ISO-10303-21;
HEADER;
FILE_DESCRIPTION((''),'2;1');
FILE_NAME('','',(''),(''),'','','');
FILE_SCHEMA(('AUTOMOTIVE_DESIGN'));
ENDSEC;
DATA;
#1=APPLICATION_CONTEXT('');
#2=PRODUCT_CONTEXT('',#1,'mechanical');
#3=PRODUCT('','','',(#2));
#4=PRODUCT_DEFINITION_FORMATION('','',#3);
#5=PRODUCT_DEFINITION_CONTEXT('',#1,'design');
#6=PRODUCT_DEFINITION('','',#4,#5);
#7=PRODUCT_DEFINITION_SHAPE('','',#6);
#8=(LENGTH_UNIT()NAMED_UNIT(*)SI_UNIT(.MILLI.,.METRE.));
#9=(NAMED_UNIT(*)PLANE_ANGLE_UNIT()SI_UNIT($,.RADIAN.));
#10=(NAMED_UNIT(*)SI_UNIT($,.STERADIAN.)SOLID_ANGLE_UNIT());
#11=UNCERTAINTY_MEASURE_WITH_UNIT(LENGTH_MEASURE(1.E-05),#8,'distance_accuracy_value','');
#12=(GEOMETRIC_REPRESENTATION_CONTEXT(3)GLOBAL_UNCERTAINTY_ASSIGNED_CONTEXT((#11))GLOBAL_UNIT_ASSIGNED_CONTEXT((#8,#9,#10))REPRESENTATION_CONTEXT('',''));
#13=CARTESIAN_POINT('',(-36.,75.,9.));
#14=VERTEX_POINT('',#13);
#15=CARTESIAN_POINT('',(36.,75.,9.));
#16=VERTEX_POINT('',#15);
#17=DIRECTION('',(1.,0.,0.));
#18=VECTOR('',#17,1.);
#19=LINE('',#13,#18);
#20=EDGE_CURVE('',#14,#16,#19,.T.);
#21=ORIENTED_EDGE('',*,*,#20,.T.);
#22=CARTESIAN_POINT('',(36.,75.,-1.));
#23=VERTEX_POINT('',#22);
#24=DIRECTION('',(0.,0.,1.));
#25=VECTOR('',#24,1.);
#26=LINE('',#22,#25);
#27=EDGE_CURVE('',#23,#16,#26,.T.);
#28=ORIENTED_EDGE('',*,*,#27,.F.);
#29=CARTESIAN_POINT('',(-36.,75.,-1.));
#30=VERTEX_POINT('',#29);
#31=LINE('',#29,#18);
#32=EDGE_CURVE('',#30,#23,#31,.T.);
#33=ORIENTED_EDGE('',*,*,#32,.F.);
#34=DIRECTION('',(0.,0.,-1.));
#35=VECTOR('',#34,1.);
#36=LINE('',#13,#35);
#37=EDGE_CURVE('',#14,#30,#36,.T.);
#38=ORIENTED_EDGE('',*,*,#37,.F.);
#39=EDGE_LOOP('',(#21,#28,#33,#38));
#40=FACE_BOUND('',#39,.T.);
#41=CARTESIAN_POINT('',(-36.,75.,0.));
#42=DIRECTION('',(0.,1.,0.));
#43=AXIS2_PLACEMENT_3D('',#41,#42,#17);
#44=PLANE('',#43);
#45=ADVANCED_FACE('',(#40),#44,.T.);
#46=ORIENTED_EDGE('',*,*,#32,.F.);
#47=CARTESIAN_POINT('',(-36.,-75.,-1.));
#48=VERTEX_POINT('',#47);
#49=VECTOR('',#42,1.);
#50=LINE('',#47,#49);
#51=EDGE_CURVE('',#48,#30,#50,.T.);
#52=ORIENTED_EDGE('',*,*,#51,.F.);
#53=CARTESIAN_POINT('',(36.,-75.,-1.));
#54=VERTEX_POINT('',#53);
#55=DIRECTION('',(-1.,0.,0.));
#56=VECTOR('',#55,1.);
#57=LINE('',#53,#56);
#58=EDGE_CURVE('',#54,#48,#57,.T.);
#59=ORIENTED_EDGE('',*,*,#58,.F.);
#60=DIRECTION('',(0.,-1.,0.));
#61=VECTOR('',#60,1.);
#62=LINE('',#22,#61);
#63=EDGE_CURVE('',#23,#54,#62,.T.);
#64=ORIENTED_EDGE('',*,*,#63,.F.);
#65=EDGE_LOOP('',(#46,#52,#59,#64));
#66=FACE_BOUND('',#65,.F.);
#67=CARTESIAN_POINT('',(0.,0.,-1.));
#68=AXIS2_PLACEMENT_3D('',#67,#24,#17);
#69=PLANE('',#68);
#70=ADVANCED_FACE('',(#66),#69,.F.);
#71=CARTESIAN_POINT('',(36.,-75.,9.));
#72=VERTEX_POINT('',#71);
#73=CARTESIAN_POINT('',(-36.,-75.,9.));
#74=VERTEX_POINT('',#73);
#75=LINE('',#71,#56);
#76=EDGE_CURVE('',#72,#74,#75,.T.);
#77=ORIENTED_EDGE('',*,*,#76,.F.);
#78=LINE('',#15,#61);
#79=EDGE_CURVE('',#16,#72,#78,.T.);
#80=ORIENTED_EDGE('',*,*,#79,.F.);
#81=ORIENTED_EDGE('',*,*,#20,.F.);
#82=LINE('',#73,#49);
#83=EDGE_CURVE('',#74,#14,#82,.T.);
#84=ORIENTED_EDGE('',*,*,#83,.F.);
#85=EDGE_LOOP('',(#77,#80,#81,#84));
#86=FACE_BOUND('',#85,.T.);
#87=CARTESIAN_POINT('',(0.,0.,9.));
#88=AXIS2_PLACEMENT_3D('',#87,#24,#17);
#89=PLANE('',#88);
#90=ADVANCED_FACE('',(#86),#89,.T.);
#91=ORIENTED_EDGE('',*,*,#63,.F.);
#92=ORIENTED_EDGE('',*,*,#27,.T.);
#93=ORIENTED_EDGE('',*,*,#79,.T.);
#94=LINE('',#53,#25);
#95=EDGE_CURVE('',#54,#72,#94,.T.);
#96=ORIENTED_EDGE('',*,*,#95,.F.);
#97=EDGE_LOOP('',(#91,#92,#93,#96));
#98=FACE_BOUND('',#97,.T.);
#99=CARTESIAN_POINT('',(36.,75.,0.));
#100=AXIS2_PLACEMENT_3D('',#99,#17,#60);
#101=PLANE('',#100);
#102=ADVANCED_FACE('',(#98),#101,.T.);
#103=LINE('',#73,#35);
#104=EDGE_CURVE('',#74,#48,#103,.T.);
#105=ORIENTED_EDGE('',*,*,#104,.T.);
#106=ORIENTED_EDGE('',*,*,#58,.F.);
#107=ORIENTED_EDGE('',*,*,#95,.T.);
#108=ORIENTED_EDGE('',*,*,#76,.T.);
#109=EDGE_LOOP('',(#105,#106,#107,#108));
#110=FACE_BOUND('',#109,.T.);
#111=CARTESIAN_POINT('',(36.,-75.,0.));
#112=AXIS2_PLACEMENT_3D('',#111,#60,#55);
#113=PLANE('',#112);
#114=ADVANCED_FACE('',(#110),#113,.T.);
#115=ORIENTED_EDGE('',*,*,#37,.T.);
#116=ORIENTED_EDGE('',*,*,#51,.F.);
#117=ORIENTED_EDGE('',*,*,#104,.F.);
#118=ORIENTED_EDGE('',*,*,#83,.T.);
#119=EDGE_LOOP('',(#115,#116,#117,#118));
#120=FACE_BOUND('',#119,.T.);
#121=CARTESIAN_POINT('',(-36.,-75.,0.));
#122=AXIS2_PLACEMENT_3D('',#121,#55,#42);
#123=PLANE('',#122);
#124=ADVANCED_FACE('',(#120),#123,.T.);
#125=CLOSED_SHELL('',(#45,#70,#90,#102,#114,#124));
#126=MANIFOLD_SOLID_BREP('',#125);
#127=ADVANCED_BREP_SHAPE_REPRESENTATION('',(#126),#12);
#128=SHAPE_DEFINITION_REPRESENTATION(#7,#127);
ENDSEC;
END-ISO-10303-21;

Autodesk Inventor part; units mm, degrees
ref_plane "YZ Plane" through (0, 0, 0) normal (1, 0, 0) x (0, 1, 0)
ref_plane "XZ Plane" through (0, 0, 0) normal (0, 1, 0) x (-1, 0, 0)
ref_plane "XY Plane" through (0, 0, 0) normal (0, 0, 1) x (1, 0, 0)
sketch "スケッチ1" plane through (0, 0, 0) normal (0, 0, 1) x (1, 0, 0)
  line L0 (36, -75) -> (-36, -75)
  line L1 (-36, -75) -> (-36, 75)
  line L2 (-36, 75) -> (36, 75)
  line L3 (36, 75) -> (36, -75)
  line L4 (36, -75) -> (-36, 75) construction
  line L5 (-36, -75) -> (36, 75) construction
  point P0 (0, 0)
  dimension "d0" = 72
  dimension "d1" = 150
extrude "押し出し1" add sketch "スケッチ1" along normal blind 9 and the other way blind 1
properties part number "aqups_Sense_4Case"
